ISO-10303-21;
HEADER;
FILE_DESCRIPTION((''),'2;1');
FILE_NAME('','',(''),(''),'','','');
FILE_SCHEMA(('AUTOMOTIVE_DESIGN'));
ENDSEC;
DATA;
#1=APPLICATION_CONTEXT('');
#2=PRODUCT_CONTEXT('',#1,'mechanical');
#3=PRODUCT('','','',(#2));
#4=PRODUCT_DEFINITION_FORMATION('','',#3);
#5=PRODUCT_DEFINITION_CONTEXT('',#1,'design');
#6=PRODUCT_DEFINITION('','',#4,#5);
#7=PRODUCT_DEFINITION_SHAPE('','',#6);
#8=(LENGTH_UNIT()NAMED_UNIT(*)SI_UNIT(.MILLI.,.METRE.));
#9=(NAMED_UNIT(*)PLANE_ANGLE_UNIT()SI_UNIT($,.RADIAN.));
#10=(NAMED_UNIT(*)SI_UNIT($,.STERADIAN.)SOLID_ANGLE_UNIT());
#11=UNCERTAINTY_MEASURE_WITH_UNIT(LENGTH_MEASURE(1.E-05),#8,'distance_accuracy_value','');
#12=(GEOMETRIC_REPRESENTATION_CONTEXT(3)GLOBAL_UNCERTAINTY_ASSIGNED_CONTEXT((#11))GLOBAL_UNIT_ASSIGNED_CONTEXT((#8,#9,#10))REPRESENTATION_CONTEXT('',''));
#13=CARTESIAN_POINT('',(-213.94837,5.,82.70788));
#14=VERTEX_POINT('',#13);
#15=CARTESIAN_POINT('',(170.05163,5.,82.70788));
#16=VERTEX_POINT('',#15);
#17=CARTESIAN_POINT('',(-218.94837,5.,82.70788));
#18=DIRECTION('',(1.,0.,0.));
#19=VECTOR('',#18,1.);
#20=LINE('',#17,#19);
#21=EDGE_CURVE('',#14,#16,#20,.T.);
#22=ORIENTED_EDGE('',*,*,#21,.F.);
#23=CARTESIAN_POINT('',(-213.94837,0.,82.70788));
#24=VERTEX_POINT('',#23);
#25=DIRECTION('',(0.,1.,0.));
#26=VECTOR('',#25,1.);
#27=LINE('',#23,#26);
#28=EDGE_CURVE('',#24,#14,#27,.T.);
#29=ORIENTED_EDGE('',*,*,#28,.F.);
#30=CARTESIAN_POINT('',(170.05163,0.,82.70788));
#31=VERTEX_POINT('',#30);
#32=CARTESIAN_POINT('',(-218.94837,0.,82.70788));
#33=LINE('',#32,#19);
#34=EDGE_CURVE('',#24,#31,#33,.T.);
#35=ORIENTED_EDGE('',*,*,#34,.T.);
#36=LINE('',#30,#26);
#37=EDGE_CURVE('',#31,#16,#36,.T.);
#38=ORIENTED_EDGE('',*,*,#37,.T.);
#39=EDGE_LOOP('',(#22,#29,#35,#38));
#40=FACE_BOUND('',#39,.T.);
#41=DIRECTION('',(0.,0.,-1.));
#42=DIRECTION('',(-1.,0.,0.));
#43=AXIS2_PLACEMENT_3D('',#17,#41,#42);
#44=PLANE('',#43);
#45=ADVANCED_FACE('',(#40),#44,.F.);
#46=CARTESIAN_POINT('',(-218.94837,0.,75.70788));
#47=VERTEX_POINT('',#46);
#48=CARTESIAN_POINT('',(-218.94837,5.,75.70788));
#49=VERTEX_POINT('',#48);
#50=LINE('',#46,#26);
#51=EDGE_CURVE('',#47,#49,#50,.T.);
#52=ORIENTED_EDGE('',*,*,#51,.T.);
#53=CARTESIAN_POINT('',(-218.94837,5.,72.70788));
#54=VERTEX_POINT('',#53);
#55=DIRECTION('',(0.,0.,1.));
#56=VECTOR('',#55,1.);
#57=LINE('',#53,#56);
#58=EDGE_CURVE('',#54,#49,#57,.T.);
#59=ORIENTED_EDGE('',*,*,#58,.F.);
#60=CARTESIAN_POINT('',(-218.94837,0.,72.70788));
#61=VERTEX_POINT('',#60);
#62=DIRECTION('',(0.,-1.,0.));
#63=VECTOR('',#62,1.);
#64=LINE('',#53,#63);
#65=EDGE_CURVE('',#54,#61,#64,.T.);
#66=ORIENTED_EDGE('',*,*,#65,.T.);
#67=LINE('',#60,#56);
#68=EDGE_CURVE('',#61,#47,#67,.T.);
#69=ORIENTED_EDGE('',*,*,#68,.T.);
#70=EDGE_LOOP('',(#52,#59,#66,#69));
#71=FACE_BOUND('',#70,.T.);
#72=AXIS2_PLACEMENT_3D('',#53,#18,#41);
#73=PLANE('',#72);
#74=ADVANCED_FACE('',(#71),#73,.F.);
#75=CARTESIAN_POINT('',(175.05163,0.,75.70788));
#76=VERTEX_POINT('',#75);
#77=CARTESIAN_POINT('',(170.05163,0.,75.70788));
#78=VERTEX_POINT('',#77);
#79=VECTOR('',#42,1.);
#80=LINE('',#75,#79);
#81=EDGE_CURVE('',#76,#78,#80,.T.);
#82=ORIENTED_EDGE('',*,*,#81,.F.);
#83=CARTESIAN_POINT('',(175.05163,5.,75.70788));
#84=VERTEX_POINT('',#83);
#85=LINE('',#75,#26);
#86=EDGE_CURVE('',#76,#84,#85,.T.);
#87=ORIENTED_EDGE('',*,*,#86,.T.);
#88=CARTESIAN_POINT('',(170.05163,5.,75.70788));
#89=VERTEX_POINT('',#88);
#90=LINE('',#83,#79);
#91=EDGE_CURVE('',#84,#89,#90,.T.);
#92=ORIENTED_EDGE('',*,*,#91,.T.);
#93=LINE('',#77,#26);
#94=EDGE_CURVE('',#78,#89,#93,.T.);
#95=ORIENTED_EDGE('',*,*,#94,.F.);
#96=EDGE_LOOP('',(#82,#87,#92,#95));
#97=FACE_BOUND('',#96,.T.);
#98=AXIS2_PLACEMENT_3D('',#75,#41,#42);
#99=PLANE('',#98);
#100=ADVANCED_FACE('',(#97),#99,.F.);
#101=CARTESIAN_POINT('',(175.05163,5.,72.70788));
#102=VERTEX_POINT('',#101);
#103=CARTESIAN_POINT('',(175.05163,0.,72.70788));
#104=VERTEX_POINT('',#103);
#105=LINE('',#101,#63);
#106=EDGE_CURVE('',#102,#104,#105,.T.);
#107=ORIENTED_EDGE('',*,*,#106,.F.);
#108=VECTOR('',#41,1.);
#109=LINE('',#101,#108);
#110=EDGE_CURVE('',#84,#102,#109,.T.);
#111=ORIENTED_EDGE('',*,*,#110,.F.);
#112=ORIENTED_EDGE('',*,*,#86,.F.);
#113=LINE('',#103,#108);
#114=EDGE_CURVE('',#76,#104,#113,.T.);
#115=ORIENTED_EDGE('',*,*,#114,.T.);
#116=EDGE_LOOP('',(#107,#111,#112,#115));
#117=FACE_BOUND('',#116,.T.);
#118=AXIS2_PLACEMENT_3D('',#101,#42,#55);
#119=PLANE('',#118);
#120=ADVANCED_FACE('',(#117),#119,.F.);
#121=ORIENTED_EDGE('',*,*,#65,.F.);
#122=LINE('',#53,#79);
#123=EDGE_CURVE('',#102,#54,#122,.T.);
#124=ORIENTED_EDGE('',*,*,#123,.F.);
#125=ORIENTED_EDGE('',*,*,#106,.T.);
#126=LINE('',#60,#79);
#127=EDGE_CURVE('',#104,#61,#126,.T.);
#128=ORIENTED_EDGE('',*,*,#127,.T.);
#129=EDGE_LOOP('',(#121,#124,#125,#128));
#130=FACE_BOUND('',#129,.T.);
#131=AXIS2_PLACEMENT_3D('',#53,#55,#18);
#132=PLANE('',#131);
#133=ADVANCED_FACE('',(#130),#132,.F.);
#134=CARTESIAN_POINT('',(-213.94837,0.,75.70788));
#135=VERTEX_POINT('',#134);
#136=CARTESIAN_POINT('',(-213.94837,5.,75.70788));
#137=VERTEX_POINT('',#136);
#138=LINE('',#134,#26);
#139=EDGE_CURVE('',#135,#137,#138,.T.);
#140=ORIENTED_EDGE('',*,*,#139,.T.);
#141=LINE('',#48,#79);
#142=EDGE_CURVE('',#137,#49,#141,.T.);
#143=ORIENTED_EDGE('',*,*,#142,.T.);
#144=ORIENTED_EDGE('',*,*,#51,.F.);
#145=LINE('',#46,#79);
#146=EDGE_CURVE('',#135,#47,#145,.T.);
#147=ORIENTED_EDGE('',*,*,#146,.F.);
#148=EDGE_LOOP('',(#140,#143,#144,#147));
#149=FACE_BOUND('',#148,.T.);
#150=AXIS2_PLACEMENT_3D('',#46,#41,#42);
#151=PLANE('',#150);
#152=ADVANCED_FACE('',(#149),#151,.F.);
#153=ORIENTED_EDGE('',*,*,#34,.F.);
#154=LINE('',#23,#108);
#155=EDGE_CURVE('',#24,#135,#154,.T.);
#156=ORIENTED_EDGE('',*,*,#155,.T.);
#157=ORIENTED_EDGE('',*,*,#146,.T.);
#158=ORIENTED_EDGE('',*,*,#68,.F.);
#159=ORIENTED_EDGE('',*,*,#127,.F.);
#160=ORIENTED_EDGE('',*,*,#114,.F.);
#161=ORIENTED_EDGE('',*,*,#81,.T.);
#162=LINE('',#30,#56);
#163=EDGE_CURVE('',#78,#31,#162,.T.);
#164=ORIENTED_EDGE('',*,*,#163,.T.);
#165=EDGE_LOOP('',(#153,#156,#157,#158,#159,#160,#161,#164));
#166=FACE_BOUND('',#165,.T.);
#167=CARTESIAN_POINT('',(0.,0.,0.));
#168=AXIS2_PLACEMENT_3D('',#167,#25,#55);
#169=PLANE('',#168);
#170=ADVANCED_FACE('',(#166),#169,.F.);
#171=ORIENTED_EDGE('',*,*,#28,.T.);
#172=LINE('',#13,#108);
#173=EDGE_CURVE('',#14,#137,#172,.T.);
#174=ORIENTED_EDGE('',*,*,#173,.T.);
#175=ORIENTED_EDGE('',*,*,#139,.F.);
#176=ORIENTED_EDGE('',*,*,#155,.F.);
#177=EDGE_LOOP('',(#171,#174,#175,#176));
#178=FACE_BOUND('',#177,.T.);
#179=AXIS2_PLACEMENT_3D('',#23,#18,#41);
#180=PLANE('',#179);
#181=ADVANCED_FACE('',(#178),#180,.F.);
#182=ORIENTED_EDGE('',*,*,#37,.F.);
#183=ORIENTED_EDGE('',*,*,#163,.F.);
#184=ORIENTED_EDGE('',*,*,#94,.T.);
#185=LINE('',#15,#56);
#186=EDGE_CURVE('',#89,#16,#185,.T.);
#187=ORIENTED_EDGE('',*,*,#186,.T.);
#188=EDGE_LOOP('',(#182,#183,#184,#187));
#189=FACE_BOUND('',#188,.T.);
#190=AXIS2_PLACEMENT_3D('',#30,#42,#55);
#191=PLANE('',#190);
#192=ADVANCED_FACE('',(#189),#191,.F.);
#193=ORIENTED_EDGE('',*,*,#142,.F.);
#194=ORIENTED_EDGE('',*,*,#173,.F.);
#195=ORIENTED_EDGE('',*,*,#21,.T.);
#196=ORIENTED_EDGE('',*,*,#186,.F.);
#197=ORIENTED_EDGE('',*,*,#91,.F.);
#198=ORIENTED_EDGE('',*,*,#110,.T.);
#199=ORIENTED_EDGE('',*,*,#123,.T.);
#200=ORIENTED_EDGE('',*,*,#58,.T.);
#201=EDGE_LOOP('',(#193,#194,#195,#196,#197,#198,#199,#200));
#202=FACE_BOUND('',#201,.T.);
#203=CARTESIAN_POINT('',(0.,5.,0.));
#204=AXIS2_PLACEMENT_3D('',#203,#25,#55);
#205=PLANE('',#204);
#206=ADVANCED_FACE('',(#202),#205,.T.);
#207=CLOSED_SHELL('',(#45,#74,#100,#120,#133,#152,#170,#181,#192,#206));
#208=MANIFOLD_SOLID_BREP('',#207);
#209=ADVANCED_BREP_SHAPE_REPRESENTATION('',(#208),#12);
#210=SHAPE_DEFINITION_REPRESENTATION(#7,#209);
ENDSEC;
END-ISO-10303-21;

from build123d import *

# Parameters (mm, degrees)
SZKIC1_W                    = 394
SZKIC1_H                    = 10
DODANIE_WYCI_GNI_CIE1_DEPTH = 5
SZKIC2_W                    = 5
SZKIC2_H                    = 7
WYTNIJ_WYCI_GNI_CIE1_DEPTH  = 5


with BuildPart() as part:
    # Szkic1 → Dodanie-wyciągnięcie1 (new body)
    with BuildSketch(Plane(origin=(0, 0, 0), x_dir=(1, 0, 0), z_dir=(0, 1, 0))):
        with Locations((-21.948369565, -77.707880435)):
            Rectangle(SZKIC1_W, SZKIC1_H)
    extrude(amount=DODANIE_WYCI_GNI_CIE1_DEPTH)

    # Szkic2 → Wytnij-wyciągnięcie1 (cut)
    with BuildSketch(Plane(origin=(0, 5, 0), x_dir=(1, 0, 0), z_dir=(0, 1, 0))):
        with Locations((-216.448369565, -79.207880435)):
            Rectangle(SZKIC2_W, SZKIC2_H)
        with Locations((172.551630435, -79.207880435)):
            Rectangle(SZKIC2_W, SZKIC2_H)
    extrude(amount=-WYTNIJ_WYCI_GNI_CIE1_DEPTH, mode=Mode.SUBTRACT)


solid = part.part
